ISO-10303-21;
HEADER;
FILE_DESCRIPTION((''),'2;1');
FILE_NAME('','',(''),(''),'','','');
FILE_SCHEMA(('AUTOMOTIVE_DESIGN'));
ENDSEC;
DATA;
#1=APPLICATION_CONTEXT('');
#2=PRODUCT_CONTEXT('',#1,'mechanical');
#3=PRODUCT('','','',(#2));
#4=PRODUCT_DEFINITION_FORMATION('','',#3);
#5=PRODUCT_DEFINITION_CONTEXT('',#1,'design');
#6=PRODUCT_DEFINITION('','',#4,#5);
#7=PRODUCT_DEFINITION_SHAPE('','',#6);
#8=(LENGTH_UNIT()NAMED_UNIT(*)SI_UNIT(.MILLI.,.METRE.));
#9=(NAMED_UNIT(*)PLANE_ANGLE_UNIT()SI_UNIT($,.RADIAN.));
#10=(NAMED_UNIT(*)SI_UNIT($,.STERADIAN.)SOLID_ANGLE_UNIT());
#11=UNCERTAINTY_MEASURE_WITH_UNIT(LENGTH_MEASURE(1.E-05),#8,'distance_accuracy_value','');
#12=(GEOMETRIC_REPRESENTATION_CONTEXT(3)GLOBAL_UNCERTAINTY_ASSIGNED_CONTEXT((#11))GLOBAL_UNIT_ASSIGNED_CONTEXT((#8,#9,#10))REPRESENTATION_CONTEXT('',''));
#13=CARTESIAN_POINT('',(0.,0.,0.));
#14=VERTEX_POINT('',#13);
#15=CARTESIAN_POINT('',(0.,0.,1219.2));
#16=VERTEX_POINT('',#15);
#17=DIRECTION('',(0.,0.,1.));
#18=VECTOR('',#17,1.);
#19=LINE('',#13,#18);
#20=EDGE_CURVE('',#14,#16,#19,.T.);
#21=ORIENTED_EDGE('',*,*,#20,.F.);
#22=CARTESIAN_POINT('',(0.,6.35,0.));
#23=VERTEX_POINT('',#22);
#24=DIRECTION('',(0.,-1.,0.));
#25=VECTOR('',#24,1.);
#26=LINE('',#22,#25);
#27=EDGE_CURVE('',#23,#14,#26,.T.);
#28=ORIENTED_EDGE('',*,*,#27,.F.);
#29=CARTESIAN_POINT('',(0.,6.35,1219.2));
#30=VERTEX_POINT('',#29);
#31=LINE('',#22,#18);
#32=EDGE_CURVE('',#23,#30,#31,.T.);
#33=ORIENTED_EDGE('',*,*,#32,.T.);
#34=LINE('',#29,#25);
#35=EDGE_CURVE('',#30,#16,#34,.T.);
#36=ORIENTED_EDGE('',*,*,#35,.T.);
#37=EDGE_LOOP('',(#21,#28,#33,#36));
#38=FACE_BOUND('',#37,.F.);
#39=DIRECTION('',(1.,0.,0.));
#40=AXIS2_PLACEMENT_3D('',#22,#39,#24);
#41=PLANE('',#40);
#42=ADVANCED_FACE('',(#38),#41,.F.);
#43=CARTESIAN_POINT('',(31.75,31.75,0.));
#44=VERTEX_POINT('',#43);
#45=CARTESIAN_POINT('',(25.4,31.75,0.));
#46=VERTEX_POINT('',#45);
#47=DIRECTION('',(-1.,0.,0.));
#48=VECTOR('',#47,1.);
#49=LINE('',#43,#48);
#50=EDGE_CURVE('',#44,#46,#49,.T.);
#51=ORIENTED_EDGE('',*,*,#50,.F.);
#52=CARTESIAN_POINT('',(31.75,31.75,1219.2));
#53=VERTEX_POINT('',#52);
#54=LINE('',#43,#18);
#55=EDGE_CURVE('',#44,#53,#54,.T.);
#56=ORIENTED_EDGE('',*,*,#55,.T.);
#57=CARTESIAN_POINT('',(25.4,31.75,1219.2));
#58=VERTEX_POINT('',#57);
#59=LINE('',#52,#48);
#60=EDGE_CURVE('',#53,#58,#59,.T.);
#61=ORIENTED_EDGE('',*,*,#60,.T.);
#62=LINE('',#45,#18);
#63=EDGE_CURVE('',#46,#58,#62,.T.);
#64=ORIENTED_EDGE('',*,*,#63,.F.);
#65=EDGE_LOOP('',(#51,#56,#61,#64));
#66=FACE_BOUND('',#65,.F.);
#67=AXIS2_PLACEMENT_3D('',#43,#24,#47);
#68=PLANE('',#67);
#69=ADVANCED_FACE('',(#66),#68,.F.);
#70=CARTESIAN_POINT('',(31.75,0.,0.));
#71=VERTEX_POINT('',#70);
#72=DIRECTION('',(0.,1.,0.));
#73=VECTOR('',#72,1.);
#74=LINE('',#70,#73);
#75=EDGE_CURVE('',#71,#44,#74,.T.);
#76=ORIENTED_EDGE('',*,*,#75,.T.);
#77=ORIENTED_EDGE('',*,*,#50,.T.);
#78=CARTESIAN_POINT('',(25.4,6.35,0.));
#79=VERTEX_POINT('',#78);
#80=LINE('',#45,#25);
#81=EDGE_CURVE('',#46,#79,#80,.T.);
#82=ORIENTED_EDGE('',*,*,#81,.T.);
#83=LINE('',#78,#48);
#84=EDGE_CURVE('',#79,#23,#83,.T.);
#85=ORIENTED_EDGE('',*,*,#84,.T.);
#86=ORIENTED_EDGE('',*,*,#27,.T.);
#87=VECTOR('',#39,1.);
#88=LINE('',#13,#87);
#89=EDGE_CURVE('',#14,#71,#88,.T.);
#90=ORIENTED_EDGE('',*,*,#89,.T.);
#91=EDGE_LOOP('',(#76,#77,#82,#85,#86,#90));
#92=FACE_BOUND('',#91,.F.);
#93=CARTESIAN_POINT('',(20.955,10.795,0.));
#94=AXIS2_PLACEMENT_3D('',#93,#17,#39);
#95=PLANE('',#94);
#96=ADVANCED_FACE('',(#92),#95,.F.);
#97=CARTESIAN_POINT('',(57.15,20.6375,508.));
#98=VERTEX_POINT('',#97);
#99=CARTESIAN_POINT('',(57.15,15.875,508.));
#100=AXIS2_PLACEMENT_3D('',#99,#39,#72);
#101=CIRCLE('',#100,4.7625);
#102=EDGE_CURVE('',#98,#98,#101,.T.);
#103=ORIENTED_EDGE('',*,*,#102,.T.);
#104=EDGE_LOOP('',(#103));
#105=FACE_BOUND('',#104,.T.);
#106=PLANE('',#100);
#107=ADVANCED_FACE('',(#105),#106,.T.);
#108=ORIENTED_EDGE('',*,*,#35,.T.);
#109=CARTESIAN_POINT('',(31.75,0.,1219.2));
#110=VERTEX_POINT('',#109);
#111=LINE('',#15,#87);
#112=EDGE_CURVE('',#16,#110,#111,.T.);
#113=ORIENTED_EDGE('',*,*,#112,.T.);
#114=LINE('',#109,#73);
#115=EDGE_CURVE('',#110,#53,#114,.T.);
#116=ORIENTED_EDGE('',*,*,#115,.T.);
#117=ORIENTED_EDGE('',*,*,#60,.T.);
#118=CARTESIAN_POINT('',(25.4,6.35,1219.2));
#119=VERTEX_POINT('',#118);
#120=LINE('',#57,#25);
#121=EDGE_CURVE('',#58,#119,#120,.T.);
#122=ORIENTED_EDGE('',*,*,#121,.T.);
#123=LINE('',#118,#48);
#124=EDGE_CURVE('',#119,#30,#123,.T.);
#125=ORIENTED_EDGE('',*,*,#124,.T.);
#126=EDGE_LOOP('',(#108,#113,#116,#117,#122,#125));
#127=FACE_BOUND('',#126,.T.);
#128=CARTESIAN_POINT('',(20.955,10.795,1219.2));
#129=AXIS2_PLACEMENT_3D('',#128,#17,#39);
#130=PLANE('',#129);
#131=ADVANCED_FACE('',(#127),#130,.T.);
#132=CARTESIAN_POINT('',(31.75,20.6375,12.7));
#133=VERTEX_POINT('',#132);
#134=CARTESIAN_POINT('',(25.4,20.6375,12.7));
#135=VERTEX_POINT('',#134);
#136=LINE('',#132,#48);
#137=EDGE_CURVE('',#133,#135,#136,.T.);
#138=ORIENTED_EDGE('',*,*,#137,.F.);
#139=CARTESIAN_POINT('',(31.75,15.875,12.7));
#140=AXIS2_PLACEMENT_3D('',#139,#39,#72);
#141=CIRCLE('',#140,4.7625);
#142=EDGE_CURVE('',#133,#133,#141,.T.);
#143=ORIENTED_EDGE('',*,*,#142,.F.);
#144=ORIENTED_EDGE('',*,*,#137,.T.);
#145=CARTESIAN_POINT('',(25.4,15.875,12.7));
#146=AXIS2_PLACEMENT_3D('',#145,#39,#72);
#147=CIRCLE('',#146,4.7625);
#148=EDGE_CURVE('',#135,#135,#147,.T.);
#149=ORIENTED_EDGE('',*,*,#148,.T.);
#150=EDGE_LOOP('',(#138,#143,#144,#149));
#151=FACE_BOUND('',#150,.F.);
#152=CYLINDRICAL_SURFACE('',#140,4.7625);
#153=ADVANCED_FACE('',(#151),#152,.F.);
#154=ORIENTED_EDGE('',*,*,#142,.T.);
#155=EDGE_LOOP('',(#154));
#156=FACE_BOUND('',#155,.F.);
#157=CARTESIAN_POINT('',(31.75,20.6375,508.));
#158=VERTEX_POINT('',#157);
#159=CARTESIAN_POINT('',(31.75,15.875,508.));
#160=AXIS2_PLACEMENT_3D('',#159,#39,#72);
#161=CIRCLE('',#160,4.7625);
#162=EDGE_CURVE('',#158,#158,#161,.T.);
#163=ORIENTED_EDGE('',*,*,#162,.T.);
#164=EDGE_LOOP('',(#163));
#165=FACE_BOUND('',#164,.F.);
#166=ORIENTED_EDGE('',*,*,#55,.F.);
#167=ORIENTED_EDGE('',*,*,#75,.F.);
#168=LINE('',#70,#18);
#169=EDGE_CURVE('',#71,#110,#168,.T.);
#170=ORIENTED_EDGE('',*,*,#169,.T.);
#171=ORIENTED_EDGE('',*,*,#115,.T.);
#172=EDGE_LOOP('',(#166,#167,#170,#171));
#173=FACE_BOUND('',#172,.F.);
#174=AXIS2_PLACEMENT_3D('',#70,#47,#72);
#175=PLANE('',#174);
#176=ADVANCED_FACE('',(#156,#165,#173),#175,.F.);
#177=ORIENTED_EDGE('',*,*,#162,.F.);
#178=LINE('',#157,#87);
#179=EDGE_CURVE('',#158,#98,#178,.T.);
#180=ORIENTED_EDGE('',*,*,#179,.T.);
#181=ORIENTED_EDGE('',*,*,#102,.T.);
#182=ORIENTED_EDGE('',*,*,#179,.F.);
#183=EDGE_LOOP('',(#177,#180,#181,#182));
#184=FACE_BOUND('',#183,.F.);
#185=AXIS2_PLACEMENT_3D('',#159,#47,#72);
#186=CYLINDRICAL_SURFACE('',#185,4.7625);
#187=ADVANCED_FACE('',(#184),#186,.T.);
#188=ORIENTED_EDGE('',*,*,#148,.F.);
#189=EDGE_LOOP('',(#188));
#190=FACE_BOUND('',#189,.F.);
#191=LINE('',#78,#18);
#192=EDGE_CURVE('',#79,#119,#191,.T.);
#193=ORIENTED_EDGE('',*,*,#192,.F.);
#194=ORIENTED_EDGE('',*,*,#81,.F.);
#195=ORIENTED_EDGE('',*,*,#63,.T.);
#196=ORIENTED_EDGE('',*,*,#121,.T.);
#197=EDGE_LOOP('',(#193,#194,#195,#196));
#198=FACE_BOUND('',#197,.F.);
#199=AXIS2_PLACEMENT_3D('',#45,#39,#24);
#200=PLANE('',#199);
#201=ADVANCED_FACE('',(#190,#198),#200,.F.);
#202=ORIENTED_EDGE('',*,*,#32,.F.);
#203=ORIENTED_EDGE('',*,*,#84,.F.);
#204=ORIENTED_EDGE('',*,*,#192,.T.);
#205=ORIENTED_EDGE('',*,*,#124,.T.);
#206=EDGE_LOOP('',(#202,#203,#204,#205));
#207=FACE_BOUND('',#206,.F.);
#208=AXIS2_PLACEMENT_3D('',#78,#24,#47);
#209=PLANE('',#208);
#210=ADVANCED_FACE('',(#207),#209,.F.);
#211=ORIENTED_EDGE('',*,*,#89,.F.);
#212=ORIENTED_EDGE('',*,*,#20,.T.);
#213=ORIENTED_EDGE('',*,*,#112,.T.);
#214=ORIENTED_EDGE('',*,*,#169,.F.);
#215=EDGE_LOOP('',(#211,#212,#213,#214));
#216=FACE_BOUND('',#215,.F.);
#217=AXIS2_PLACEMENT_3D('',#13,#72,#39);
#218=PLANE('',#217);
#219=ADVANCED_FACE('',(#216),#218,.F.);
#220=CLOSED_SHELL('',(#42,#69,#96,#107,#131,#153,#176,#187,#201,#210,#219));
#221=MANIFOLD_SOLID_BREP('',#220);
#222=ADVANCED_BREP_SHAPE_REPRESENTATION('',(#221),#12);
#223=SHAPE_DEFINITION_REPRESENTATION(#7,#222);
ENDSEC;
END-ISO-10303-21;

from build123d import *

# Parameters (mm, degrees)
F1_DEPTH = 1219.2
F2_R     = 4.7625
F3_DEPTH = 31.751
F4_R     = 4.7625
F5_DEPTH = 25.4


with BuildPart() as f1:
    # F0 (on Top) → F1 (new body)
    with BuildSketch(Plane.XY):
        Polygon((0, 6.35), (0, 0), (31.75, 0), (31.75, 31.75), (25.4, 31.75), (25.4, 6.35), align=None)
    extrude(amount=F1_DEPTH)

    # F2 (on face) → F3 (cut, through all)
    with BuildSketch(Plane.YZ.offset(31.75)):
        with Locations((15.875, 12.7)):
            Circle(F2_R)
    extrude(amount=-F3_DEPTH, mode=Mode.SUBTRACT)

    # F4 (on face) → F5 (join)
    with BuildSketch(Plane.YZ.offset(31.75)):
        with Locations((15.875, 508)):
            Circle(F4_R)
    extrude(amount=F5_DEPTH)


solid = f1.part
